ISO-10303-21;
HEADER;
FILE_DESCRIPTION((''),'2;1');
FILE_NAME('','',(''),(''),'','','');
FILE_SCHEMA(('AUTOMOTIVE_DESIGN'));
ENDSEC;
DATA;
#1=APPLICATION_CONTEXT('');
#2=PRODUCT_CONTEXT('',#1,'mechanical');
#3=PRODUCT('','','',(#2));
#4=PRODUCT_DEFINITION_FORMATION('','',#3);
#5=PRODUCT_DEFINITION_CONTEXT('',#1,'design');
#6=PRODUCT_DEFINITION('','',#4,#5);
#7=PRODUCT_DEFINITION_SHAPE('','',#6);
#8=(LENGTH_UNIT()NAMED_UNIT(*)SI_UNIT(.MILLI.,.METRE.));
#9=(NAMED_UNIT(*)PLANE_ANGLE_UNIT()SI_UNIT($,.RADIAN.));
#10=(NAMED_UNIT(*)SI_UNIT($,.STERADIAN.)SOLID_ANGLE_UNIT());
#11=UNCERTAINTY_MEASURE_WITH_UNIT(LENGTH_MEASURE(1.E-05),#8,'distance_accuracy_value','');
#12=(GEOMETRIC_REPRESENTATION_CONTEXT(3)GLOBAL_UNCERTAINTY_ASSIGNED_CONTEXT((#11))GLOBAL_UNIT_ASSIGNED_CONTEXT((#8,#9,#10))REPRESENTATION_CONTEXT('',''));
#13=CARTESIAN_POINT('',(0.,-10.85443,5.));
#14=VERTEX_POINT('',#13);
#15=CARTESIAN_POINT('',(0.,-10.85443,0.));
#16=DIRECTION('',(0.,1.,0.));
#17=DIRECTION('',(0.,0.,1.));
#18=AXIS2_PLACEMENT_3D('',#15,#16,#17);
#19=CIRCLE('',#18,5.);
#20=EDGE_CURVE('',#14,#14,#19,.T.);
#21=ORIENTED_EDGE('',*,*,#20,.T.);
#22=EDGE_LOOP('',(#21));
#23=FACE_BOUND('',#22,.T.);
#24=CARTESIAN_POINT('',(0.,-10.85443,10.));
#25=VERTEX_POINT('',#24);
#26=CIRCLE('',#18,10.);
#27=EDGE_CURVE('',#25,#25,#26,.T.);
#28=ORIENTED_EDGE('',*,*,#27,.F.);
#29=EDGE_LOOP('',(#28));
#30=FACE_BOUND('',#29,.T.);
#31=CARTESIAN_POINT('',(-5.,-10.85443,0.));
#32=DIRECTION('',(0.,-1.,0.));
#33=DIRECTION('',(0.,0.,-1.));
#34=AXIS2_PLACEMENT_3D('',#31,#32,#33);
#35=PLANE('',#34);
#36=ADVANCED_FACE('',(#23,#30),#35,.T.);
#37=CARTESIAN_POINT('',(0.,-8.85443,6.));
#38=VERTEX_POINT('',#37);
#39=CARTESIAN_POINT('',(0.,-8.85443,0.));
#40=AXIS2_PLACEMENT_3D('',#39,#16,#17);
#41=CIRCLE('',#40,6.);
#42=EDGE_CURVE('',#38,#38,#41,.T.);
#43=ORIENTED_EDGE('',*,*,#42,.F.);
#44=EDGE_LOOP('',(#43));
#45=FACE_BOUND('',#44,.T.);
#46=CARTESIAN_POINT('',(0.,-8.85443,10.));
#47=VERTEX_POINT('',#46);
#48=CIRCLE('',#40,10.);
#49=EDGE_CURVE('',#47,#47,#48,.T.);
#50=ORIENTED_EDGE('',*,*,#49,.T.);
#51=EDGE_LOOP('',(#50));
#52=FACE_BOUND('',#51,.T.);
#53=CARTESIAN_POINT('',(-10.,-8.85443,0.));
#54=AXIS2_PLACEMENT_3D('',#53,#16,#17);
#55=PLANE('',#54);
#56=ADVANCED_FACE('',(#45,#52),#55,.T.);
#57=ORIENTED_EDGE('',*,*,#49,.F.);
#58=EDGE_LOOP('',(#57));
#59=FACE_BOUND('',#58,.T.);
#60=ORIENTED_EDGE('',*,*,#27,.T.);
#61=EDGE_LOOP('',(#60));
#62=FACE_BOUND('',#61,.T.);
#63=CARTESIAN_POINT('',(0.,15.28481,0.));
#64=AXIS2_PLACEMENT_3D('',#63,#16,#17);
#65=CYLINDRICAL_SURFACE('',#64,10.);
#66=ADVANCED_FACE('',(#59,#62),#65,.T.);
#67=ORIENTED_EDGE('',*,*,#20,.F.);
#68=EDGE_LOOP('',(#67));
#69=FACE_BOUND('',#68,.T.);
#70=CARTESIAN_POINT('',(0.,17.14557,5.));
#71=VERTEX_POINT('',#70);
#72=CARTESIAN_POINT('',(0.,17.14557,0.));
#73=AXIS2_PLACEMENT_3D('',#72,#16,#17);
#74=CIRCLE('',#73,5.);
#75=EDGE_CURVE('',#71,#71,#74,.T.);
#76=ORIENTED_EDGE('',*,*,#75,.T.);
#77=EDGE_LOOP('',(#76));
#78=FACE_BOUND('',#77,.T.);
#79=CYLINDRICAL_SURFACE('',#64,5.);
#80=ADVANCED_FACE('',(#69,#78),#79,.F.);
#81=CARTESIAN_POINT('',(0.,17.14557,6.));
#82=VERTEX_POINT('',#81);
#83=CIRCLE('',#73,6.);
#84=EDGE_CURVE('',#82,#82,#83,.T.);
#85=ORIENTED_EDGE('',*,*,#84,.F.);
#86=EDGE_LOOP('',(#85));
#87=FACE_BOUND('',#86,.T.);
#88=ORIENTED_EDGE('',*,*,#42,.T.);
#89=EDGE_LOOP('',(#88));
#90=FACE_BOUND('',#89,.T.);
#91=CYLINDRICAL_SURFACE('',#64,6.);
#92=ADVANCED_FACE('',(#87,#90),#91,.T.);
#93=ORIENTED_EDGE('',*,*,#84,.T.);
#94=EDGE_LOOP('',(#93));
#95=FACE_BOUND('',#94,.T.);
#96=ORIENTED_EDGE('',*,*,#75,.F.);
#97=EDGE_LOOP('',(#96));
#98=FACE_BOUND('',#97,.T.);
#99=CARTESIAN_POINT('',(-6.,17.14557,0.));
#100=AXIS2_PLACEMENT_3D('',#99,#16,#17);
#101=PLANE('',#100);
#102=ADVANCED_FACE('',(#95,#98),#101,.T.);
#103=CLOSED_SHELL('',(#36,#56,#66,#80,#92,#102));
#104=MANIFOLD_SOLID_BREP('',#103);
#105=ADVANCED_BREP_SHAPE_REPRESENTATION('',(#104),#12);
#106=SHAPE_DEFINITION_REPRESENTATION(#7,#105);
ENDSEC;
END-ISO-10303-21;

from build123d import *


with BuildPart() as part:
    # Sketch1 → Revolve1 (revolve)
    with BuildSketch(Plane.XY):
        Polygon((-5, 17.14556962), (-5, -10.85443038), (-10, -10.85443038), (-10, -8.85443038), (-6, -8.85443038), (-6, 17.14556962), align=None)
    revolve(axis=Axis((0, 15.284810127, 0), (0, -1, 0)))


solid = part.part
